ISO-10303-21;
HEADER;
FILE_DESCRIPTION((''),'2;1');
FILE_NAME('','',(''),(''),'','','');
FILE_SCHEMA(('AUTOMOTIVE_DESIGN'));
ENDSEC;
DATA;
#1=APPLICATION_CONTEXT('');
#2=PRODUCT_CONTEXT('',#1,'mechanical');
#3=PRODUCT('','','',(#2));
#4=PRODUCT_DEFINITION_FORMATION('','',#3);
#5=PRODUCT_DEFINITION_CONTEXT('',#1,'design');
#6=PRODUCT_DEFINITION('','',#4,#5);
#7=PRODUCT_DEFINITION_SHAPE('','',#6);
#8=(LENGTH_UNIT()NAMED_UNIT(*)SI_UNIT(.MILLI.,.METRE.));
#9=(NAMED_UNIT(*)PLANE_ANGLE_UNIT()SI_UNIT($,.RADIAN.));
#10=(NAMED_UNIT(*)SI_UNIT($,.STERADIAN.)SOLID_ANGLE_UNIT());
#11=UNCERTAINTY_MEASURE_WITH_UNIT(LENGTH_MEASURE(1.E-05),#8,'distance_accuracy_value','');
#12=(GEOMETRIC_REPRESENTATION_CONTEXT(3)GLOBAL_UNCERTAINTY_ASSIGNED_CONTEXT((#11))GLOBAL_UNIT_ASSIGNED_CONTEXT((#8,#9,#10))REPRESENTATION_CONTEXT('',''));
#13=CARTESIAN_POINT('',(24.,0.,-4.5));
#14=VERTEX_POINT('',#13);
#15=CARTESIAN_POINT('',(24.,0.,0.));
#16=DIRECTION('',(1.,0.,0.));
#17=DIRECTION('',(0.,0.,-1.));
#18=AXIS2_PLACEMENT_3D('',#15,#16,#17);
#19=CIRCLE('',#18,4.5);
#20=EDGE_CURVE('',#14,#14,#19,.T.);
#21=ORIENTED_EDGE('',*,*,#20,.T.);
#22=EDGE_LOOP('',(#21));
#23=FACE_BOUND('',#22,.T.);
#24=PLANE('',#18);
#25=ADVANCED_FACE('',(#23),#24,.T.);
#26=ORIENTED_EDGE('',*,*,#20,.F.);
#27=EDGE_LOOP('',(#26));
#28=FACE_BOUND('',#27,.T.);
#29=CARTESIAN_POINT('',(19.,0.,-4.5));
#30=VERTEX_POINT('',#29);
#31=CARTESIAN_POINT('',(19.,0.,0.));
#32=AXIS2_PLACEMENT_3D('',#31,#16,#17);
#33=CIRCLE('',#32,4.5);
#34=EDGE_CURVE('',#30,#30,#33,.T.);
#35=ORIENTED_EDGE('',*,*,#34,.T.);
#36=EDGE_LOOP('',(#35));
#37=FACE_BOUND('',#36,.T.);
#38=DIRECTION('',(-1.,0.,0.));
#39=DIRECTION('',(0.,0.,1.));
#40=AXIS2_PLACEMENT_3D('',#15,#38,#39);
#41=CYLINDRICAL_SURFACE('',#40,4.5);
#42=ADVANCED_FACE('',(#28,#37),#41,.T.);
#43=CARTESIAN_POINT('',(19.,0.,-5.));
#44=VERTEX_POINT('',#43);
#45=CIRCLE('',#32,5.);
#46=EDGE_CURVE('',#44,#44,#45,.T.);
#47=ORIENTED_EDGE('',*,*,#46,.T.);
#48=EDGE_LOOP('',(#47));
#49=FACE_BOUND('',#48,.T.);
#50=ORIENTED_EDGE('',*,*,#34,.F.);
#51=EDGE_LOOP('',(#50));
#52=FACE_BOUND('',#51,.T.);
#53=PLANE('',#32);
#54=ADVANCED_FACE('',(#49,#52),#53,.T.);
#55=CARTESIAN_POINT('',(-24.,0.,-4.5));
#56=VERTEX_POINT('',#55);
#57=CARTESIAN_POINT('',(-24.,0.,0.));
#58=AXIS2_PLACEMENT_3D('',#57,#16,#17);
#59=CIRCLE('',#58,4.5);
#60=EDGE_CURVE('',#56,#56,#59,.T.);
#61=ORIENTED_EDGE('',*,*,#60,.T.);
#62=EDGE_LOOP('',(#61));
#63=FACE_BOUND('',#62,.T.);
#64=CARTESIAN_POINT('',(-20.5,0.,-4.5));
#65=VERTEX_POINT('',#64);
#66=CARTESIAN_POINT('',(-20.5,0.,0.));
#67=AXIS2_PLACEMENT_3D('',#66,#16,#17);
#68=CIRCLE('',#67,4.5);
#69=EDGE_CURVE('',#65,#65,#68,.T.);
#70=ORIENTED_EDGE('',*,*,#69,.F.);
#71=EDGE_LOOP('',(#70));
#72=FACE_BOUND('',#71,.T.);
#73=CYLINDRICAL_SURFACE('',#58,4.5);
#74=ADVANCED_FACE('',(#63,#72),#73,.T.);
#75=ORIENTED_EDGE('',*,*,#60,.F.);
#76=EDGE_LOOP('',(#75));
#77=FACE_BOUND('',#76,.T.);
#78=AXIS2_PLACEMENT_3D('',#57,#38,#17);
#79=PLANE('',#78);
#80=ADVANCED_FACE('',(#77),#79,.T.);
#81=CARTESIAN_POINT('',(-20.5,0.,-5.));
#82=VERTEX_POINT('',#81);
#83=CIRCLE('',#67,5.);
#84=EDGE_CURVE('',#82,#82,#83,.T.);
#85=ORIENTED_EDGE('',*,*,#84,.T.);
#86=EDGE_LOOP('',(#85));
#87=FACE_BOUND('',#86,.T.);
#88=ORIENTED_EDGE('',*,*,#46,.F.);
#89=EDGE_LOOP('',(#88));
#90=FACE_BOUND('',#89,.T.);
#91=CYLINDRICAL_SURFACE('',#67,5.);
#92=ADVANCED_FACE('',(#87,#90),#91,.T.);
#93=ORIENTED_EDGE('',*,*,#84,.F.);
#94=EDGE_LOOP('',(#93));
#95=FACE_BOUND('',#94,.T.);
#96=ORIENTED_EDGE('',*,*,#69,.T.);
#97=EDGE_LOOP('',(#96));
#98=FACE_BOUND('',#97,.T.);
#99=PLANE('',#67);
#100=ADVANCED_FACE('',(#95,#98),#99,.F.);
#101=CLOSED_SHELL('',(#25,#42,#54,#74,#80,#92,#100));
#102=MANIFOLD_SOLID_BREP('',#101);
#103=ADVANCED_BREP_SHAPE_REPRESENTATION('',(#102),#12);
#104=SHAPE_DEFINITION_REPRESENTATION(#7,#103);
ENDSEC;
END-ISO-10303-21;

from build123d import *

# Parameters (mm, degrees)
SKETCH1_R                = 5
BOSS_EXTRUDE1_DEPTH      = 19
BOSS_EXTRUDE1_DEPTH_BACK = 20.5
SKETCH2_R                = 4.5
BOSS_EXTRUDE2_DEPTH      = 5


with BuildPart() as part:
    # Sketch1 → Boss-Extrude1 (new body, two sides)
    with BuildSketch(Plane(origin=(0, 0, 0), x_dir=(0, 0, -1), z_dir=(1, 0, 0))) as boss_extrude1_sk:
        Circle(SKETCH1_R)
    extrude(amount=BOSS_EXTRUDE1_DEPTH)
    extrude(boss_extrude1_sk.sketch, amount=-BOSS_EXTRUDE1_DEPTH_BACK)

    # Sketch2 → Boss-Extrude2 (add)
    with BuildSketch(Plane(origin=(19, 0, 0), x_dir=(0, 0, -1), z_dir=(1, 0, 0))):
        Circle(SKETCH2_R)
    boss_extrude2 = extrude(amount=BOSS_EXTRUDE2_DEPTH)

    # Mirror1: Boss-Extrude2 across plane
    add(boss_extrude2.mirror(Plane(origin=(0, 0, 0), x_dir=(0, 0, 1), z_dir=(1, 0, 0))))


solid = part.part
